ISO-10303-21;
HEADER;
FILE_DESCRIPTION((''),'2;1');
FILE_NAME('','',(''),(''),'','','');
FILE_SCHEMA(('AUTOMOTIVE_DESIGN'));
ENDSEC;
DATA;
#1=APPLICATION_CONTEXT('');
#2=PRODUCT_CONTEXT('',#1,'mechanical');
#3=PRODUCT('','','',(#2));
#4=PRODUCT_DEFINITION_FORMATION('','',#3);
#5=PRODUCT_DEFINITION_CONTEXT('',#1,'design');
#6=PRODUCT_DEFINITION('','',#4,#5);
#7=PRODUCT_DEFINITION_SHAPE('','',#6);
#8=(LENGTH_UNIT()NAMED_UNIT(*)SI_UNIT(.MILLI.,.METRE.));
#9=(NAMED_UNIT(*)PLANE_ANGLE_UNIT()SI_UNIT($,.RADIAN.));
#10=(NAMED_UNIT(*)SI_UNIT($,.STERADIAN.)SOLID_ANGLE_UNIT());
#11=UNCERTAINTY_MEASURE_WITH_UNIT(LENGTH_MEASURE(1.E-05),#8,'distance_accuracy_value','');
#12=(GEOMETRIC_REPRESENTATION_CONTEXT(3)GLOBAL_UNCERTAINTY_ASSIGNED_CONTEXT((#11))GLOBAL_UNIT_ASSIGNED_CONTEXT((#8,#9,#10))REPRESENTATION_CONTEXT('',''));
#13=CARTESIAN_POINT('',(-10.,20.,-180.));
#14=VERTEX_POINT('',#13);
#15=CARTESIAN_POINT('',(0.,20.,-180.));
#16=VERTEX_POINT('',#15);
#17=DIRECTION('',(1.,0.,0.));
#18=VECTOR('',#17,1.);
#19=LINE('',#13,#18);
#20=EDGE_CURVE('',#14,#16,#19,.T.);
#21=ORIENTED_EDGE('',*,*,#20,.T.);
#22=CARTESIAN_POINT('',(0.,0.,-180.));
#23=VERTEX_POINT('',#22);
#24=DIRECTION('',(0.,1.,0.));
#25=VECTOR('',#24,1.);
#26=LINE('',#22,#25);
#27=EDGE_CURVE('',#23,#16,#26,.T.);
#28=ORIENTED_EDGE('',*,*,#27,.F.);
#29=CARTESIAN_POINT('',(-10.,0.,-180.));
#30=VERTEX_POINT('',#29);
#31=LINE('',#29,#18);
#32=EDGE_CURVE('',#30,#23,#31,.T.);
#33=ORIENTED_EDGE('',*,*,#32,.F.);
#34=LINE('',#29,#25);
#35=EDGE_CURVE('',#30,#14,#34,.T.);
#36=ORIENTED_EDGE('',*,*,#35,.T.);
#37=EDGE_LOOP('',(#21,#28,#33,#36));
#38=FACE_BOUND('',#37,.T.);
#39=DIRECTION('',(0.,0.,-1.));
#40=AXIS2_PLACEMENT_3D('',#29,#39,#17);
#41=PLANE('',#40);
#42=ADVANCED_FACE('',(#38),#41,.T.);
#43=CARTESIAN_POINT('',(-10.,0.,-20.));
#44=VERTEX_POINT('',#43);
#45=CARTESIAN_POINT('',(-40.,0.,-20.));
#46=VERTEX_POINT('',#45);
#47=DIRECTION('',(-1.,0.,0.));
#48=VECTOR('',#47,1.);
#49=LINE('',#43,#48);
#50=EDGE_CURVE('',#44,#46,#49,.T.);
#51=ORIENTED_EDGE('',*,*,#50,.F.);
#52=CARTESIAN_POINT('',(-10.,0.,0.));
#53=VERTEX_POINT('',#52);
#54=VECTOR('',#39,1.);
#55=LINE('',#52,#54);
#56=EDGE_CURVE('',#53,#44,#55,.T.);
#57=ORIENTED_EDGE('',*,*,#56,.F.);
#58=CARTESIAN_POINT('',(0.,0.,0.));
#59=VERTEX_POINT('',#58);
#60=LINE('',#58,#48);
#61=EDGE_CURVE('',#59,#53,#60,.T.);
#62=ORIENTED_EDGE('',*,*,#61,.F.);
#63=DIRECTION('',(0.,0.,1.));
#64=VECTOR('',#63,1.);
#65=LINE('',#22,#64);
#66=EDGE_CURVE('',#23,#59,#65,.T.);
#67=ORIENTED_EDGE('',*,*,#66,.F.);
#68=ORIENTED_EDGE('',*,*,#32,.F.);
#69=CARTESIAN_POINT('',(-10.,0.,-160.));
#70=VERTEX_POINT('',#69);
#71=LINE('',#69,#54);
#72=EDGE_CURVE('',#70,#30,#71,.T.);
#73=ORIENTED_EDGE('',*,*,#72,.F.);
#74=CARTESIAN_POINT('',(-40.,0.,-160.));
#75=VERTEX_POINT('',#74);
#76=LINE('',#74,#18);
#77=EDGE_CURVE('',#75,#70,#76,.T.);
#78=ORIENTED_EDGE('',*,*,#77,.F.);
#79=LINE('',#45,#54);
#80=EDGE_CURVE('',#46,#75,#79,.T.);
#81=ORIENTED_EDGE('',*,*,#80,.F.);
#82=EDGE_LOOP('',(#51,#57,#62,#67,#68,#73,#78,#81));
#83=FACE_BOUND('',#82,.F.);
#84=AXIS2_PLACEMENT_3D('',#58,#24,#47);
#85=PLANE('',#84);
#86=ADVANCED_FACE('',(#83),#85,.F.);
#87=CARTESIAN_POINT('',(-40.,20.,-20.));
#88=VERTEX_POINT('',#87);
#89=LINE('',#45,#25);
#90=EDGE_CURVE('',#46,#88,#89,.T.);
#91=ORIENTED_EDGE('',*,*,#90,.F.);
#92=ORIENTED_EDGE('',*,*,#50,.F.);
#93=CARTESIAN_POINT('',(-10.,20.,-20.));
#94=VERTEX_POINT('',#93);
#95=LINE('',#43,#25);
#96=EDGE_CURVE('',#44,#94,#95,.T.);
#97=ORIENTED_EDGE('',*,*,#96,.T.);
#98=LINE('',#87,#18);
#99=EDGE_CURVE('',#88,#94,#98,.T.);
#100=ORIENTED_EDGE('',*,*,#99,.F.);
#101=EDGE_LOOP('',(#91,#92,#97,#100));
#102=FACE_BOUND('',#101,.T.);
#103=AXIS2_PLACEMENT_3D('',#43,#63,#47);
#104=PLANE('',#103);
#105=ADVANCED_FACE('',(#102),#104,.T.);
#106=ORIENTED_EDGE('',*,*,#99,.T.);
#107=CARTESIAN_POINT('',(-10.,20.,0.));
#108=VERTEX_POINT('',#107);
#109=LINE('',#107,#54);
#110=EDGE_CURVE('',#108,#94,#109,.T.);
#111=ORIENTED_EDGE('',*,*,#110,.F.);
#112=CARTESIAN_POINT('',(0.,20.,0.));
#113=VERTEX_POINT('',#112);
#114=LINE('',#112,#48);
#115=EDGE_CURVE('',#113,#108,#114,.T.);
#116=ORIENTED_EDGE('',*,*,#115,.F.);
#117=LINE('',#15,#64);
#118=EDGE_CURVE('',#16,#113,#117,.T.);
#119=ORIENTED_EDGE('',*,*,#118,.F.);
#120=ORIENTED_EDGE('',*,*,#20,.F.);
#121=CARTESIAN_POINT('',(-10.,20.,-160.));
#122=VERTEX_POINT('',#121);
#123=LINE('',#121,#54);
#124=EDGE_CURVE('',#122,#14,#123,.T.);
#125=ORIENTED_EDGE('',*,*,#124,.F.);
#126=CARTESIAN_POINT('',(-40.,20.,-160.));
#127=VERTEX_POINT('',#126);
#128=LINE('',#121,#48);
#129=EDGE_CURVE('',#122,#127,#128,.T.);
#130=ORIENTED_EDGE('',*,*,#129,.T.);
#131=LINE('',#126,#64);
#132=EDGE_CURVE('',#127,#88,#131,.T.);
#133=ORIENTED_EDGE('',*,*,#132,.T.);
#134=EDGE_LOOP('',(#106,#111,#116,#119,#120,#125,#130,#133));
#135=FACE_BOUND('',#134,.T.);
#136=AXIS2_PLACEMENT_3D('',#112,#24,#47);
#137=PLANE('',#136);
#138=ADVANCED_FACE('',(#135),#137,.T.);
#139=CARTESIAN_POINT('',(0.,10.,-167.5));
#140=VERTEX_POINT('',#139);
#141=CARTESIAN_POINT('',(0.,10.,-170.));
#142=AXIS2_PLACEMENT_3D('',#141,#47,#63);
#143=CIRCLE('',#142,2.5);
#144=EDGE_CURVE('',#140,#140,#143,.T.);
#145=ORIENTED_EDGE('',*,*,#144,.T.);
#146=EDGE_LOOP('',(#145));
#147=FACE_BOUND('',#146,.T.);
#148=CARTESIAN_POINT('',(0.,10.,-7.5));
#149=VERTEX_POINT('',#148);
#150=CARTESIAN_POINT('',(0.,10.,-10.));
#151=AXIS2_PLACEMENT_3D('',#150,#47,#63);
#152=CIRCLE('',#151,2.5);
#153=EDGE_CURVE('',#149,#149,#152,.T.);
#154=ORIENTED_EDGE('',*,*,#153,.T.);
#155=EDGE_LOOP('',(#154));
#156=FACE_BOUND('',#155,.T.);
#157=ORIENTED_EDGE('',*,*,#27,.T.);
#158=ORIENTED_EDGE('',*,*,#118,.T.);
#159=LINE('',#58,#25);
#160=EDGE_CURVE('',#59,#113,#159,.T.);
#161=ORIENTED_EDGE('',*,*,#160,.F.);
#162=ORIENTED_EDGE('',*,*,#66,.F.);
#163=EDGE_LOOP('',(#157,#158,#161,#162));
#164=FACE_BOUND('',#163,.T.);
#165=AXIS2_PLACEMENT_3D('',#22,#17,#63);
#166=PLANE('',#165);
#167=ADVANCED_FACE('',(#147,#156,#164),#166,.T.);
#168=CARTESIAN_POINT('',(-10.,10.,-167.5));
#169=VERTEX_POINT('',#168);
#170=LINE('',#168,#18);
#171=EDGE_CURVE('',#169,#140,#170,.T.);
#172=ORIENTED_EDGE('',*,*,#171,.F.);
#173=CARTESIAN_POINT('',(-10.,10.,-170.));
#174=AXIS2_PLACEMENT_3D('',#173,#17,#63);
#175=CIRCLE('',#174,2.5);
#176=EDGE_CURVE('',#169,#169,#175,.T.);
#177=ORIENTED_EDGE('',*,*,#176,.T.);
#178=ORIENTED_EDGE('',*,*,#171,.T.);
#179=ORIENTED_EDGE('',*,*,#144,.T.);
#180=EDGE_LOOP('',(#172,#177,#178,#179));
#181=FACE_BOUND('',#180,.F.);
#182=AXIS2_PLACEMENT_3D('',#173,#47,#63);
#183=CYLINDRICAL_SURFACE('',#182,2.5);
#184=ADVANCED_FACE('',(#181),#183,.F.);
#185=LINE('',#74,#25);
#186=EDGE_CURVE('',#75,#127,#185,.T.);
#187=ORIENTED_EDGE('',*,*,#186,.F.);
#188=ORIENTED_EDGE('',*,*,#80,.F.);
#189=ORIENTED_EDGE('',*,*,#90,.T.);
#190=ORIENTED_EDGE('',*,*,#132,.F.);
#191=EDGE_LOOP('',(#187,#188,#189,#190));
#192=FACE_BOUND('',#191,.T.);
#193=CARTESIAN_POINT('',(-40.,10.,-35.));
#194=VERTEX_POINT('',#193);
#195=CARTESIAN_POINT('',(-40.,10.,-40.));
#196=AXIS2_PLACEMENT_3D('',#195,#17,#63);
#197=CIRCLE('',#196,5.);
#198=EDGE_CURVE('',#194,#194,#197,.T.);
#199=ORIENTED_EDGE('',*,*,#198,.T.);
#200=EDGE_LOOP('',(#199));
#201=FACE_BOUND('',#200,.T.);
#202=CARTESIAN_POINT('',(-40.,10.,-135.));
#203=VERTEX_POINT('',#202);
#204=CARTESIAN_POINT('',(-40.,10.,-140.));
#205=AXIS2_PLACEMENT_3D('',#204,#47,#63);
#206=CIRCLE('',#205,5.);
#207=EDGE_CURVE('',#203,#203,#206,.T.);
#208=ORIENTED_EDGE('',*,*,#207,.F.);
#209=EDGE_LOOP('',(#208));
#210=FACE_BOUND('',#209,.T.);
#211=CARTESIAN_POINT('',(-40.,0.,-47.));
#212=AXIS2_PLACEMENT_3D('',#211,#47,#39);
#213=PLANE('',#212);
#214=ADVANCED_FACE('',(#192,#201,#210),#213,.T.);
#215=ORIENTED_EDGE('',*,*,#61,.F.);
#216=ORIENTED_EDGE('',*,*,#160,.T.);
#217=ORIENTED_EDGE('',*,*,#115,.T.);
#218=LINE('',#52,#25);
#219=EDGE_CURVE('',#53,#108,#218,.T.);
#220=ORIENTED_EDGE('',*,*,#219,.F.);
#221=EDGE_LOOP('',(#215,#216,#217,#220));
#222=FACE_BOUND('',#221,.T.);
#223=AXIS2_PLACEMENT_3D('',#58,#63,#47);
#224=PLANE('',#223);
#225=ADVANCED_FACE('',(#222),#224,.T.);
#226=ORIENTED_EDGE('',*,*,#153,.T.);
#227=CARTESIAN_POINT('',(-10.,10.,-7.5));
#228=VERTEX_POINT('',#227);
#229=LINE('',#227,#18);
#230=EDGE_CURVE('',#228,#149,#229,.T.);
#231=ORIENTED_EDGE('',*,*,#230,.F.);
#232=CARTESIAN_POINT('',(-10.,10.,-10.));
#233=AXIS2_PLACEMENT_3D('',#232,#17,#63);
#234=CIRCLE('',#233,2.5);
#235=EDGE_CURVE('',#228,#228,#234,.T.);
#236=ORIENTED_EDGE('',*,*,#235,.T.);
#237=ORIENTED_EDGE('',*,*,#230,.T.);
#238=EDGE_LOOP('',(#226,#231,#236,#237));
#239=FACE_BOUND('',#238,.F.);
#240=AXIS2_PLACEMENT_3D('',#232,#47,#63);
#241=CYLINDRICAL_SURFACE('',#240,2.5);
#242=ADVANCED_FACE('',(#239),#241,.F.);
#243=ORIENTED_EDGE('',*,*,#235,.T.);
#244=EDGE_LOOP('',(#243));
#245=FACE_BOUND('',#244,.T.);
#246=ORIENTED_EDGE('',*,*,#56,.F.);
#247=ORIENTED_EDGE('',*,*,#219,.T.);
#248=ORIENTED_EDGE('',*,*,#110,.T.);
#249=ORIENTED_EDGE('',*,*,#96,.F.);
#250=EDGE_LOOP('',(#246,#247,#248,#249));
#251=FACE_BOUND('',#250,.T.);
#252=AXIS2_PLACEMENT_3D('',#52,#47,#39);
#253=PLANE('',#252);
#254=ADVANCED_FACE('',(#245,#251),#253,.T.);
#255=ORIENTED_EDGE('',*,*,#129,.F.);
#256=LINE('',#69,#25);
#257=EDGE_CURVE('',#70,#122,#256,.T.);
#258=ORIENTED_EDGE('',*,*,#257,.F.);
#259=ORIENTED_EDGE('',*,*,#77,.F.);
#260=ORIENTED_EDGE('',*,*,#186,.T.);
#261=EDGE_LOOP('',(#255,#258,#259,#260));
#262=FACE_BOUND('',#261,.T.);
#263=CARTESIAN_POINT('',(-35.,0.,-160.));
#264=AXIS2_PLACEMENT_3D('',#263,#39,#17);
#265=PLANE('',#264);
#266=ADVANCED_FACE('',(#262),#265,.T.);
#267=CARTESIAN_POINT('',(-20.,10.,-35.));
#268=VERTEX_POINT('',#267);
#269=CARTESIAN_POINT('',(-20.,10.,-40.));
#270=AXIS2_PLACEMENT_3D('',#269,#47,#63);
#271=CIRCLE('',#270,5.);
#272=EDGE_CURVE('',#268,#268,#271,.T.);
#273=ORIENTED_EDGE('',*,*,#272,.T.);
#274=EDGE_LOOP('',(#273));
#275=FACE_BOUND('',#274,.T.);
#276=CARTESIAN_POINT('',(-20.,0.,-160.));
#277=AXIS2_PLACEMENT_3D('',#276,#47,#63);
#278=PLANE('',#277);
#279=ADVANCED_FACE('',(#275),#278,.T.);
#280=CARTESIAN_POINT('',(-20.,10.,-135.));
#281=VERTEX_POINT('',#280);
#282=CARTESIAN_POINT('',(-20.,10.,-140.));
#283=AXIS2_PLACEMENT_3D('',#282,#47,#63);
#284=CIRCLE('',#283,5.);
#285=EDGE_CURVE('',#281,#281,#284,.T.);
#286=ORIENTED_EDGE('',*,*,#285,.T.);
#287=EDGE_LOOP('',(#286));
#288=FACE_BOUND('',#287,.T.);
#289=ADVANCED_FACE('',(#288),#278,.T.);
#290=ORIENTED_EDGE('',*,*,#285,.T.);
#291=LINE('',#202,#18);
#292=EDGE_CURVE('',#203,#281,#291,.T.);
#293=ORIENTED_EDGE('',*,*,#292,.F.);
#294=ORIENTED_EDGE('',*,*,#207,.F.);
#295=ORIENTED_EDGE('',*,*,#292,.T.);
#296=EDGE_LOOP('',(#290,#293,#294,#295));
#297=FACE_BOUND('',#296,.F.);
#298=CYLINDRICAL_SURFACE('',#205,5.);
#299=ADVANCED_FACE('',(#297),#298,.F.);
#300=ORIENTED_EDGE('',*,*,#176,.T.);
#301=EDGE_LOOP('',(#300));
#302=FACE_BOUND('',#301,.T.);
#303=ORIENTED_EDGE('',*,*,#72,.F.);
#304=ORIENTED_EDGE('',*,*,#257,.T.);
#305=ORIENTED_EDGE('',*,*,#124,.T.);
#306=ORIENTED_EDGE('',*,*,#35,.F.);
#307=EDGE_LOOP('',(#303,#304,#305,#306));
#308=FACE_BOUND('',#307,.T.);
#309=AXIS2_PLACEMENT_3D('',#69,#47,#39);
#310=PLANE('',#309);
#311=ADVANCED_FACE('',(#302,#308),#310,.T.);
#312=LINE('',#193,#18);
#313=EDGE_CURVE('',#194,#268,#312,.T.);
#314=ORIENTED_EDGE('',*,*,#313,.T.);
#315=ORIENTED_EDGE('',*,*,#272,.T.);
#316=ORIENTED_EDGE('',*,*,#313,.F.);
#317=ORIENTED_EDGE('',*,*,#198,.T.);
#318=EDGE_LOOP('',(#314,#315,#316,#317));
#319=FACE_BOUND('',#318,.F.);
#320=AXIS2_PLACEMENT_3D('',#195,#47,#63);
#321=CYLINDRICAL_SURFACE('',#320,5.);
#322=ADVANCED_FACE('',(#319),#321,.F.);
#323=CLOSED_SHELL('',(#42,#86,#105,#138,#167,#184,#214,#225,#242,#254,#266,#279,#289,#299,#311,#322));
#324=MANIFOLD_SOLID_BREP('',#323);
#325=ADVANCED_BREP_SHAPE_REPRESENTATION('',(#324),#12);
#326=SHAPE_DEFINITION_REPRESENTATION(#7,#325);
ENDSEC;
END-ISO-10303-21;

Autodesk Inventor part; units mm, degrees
ref_plane "YZ Plane" through (0, 0, 0) normal (1, 0, 0) x (0, 1, 0)
ref_plane "XZ Plane" through (0, 0, 0) normal (0, 1, 0) x (-1, 0, 0)
ref_plane "XY Plane" through (0, 0, 0) normal (0, 0, 1) x (1, 0, 0)
sketch "Эскиз1" plane through (0, 0, 0) normal (0, 1, 0) x (-1, 0, 0)
  line L0 (0, 0) -> (10, 0)
  line L1 (10, 0) -> (10, -20)
  line L2 (10, -20) -> (40, -20)
  line L3 (40, -20) -> (40, -160)
  line L4 (40, -160) -> (10, -160)
  line L5 (10, -160) -> (10, -180)
  line L6 (10, -180) -> (0, -180)
  line L7 (0, -180) -> (0, 0)
  line L8 (40, -160) -> (35, -160)
  line L9 (40, -150) -> (40, -130)
  line L10 (40, -20) -> (35, -20)
  line L11 (40, -30) -> (40, -50)
  line L12 (40, -90) -> (35, -90)
  line L13 (35, -90) -> (35, -123)
  line L14 (35, -123) -> (40, -123)
  line L15 (35, -90) -> (35, -57)
  line L16 (35, -57) -> (40, -57)
  line L17 (40, -123) -> (40, -133)
  line L18 (40, -133) -> (35, -133)
  line L19 (35, -133) -> (35, -160)
  line L20 (40, -57) -> (40, -47)
  line L21 (40, -47) -> (35, -47)
  line L22 (35, -47) -> (35, -20)
  point P0 (40, -47)
  dimension "d0" = 10
  dimension "d1" = 20
  dimension "d2" = 30
  dimension "d3" = 140
  dimension "d4" = 20
  dimension "d54" = 33
  dimension "d55" = 33
  dimension "d56" = 10
  dimension "d57" = 10
extrude "Выдавливание1" add sketch "Эскиз1" along normal blind 20
sketch "Эскиз2" plane through (-10, 0, -20) normal (-1, 0, 0) x (0, 0, 1)
  line L0 (0, 0) -> (20, 0) projected
  line L1 (20, 0) -> (0, 0)
  line L2 (0, 0) -> (10, 0)
  line L3 (10, 0) -> (10, 10)
  line L4 (20, 20) -> (-160, 20) projected
  line L5 (10, 20) -> (10, 10)
  line L6 (-140, 0) -> (-140, 20) projected
  line L7 (-160, 20) -> (-140, 20)
  line L8 (-140, 20) -> (-150, 20)
  line L9 (-150, 20) -> (-150, 10)
  line L10 (-150, 0) -> (-150, 10)
  circle A0 centre (10, 10) radius 2.5
  circle A1 centre (-150, 10) radius 2.5
  dimension "d7" = 10
  dimension "d10" = 10
  dimension "d12" = 5
  dimension "d14" = 5
extrude "Выдавливание2" cut sketch "Эскиз2" against normal blind 44.25
thread "Резьба4" size "M5x0.8" class "6H" standard "ANSI Metric M Profile" full length
sketch "Эскиз3" plane through (-40, 0, -160) normal (-1, 0, 0) x (0, 0, 1)
  line L0 (140, 0) -> (140, 20) projected
  line L1 (140, 0) -> (140, 10)
  line L2 (140, 0) -> (70, 0)
  line L3 (160, 0) -> (-20, 0) projected
  line L4 (70, 10) -> (120, 10)
  line L5 (120, 10) -> (20, 10)
  line L6 (70, 10) -> (70, 0)
  circle A0 centre (120, 10) radius 5
  circle A1 centre (20, 10) radius 5
  line L7 (120, 10) -> (140, 10)
  dimension "d28" = 50
  dimension "d29" = 100
  dimension "d30" = 10
  dimension "d31" = 10
  dimension "d41" = 10
  dimension "d48" = 20
extrude "Выдавливание3" cut sketch "Эскиз3" against normal blind 20 contours A1 | L7 L4 A0 | A0 L4 L7
thread "Резьба7" size "M5x0.8" class "6H" standard "ANSI Metric M Profile" full length
thread "Резьба8" size "M10x1.5" class "6H" standard "ANSI Metric M Profile" full length
thread "Резьба9" size "M10x1.5" class "6H" standard "ANSI Metric M Profile" full length
properties part number "17701729.301318.007"
